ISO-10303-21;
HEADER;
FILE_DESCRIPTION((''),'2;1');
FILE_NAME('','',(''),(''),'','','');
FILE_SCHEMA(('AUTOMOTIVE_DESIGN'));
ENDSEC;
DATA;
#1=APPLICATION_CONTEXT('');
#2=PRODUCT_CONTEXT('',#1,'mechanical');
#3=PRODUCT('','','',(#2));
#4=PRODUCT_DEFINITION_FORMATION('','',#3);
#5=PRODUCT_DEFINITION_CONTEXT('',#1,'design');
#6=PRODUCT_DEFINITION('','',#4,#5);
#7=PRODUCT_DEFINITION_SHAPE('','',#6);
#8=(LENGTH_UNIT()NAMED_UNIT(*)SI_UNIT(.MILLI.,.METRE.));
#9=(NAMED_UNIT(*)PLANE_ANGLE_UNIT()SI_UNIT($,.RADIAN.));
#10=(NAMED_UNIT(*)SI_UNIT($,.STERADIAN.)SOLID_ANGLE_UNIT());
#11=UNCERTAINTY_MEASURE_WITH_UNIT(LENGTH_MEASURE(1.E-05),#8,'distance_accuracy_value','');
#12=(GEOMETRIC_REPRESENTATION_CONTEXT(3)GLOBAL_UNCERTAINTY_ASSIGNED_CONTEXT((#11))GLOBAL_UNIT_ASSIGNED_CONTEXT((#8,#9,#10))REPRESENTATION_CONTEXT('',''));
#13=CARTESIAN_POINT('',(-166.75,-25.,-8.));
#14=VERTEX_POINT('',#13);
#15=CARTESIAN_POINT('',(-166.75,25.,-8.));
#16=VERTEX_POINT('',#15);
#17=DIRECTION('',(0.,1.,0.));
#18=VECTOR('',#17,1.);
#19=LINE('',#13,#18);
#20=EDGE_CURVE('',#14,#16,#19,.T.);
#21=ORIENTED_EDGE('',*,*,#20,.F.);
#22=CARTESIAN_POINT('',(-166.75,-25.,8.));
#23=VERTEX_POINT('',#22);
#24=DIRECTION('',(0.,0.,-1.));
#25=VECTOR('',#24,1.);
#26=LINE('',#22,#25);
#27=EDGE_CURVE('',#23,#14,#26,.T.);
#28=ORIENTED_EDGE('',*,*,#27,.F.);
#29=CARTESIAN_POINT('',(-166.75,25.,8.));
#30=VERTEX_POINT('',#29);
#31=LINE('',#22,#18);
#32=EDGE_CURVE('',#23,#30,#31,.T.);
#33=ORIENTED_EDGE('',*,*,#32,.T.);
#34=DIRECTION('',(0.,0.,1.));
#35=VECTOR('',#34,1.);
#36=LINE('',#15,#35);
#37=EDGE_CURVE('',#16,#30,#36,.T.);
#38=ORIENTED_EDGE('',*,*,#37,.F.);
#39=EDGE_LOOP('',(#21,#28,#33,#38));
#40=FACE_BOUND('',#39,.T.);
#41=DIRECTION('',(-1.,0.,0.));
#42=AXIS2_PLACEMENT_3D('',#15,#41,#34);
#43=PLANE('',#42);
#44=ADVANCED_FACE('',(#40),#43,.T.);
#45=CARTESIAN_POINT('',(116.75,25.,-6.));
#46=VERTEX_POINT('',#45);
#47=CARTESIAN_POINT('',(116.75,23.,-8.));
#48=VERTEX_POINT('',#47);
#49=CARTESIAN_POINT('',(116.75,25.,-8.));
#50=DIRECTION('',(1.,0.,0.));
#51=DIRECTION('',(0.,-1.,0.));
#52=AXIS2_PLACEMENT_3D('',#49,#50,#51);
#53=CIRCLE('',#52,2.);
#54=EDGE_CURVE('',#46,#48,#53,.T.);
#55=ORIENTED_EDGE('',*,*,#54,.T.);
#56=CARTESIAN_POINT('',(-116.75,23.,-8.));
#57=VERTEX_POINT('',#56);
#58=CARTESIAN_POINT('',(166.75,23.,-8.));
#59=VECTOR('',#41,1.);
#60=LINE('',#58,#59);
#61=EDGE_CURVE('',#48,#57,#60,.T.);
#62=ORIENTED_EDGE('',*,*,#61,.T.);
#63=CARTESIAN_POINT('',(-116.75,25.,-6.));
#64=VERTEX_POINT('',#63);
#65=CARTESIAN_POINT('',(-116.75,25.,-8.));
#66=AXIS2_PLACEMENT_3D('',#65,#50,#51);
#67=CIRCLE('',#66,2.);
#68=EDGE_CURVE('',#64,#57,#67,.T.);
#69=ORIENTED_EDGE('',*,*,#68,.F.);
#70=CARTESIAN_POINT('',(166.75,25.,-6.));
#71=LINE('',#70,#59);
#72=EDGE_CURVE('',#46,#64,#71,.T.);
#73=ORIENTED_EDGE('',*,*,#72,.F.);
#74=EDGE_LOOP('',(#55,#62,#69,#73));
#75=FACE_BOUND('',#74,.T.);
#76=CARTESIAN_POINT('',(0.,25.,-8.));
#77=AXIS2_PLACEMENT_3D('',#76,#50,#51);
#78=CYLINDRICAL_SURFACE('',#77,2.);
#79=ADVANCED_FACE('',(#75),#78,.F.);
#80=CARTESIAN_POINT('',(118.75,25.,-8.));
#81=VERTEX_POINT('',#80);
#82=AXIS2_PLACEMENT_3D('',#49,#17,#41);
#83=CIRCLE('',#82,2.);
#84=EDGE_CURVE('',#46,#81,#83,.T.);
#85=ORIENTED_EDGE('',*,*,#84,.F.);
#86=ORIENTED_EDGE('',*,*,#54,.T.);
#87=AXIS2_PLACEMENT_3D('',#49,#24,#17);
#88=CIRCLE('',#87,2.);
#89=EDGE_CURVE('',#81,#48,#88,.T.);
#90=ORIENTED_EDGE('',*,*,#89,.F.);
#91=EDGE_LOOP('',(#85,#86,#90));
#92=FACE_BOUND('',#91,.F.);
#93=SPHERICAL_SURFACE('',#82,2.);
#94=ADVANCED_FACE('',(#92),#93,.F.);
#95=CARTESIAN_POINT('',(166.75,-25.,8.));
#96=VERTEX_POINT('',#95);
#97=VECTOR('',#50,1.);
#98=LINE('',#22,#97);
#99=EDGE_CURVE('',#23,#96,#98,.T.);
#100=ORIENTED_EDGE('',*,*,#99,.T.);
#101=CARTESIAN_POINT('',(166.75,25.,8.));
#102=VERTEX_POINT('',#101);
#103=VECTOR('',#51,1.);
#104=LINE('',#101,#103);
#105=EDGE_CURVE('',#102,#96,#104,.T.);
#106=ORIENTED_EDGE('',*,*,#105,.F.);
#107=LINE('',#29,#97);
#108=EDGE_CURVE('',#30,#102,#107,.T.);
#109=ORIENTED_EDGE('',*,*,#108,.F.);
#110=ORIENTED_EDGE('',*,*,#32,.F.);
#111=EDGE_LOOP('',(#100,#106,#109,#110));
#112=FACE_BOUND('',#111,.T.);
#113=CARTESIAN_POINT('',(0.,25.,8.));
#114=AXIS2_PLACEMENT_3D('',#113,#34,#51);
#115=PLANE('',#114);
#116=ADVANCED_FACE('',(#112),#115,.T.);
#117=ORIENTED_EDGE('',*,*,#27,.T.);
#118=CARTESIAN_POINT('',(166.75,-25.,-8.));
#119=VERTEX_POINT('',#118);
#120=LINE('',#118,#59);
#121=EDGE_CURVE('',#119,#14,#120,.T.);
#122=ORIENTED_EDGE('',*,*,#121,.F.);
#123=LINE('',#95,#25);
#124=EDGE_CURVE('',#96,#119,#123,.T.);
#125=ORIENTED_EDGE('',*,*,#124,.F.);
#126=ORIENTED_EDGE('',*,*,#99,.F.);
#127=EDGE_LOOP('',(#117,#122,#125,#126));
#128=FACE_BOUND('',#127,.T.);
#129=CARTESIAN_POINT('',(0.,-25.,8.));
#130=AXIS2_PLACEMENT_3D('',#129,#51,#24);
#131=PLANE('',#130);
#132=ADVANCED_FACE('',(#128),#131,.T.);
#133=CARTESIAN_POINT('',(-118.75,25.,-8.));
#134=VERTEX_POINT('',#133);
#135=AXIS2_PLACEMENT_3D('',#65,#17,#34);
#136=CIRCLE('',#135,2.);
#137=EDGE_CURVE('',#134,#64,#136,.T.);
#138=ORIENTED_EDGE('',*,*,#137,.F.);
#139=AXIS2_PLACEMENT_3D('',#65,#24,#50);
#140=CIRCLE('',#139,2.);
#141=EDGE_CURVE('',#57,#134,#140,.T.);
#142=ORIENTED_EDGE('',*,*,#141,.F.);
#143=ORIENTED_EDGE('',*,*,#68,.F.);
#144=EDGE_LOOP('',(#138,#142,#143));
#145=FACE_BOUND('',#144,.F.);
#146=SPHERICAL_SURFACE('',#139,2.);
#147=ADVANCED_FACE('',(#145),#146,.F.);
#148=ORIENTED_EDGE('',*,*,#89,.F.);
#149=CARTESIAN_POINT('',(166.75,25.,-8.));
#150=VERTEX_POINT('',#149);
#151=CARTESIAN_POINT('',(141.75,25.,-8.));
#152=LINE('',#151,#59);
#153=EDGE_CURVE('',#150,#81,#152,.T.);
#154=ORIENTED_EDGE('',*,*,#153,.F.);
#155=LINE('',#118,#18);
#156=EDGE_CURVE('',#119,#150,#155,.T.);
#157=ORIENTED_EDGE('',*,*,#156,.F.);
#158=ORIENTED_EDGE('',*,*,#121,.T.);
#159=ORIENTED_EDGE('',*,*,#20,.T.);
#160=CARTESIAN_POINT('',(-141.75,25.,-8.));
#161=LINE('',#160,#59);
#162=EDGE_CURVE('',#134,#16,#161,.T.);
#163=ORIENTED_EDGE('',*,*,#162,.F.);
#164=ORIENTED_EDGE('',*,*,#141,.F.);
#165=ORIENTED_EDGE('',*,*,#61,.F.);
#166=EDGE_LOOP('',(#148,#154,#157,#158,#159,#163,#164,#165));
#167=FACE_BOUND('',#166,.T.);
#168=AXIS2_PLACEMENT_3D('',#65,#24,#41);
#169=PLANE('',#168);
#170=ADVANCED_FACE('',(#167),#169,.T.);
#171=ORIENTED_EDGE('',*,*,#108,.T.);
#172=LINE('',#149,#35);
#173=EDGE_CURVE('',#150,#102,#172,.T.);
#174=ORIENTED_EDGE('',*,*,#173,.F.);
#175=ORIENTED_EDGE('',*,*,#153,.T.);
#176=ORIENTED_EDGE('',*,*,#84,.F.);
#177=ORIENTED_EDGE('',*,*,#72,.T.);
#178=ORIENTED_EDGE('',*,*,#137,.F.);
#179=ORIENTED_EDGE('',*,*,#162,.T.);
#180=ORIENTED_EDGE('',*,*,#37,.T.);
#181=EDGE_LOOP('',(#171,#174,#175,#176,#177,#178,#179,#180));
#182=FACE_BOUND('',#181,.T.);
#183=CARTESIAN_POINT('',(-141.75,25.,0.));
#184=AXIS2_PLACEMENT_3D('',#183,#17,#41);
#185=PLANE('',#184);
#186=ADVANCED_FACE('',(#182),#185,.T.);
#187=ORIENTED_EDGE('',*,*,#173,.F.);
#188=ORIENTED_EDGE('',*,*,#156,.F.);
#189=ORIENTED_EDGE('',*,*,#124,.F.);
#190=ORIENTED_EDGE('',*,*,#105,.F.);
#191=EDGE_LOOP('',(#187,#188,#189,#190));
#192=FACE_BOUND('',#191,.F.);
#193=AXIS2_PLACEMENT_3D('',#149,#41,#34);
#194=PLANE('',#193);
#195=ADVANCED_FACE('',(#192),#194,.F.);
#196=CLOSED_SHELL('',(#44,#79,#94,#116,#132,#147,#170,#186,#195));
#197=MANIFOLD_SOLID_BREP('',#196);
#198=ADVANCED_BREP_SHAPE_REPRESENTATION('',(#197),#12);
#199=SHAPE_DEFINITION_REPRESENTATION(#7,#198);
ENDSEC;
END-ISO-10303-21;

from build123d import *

# Parameters (mm, degrees)
F1_DEPTH = 166.75
F2_W     = 50
F2_H     = 16
F3_DEPTH = 2
F4_W     = 50
F4_H     = 16
F5_DEPTH = 2


with BuildPart() as f1:
    # F0 (on Right) → F1 (new body, symmetric)
    with BuildSketch(Plane.YZ):
        with BuildLine():
            Line((25, -6), (25, 8))
            Line((25, 8), (-25, 8))
            Line((-25, 8), (-25, -8))
            Line((-25, -8), (23, -8))
            ThreePointArc((23, -8), (23.5857864376, -6.5857864376), (25, -6))
        make_face()
    extrude(amount=F1_DEPTH, both=True)

    # F2 (on face) → F3 (join)
    with BuildSketch(Plane(origin=(0, 25, 0), x_dir=(-1, 0, 0), z_dir=(0, 1, 0))):
        with Locations((-141.75, 0)):
            Rectangle(F2_W, F2_H)
    extrude(amount=-F3_DEPTH)

    # F4 (on face) → F5 (join)
    with BuildSketch(Plane(origin=(0, 25, 0), x_dir=(-1, 0, 0), z_dir=(0, 1, 0))):
        with Locations((141.75, 0)):
            Rectangle(F4_W, F4_H)
    extrude(amount=-F5_DEPTH)

    # F6 (on face) → F7 (revolve, cut)
    with BuildSketch(Plane(origin=(0, 0, -8), x_dir=(1, 0, 0), z_dir=(0, 0, -1))):
        with BuildLine():
            Line((116.75, -25), (116.75, -23))
            ThreePointArc((116.75, -23), (114.75, -25), (116.75, -27))
            Line((116.75, -27), (116.75, -25))
        make_face()
    revolve(axis=Axis((116.75, 25, -8), (0, 1, 0)), mode=Mode.SUBTRACT)

    # F8 (on face) → F9 (revolve, cut)
    with BuildSketch(Plane(origin=(0, 25, 0), x_dir=(-1, 0, 0), z_dir=(0, 1, 0))):
        with BuildLine():
            Line((116.75, -8), (116.75, -6))
            ThreePointArc((116.75, -6), (114.75, -8), (116.75, -10))
            Line((116.75, -10), (116.75, -8))
        make_face()
    revolve(axis=Axis((-116.75, 25, -8), (0, 0, -1)), mode=Mode.SUBTRACT)


solid = f1.part
